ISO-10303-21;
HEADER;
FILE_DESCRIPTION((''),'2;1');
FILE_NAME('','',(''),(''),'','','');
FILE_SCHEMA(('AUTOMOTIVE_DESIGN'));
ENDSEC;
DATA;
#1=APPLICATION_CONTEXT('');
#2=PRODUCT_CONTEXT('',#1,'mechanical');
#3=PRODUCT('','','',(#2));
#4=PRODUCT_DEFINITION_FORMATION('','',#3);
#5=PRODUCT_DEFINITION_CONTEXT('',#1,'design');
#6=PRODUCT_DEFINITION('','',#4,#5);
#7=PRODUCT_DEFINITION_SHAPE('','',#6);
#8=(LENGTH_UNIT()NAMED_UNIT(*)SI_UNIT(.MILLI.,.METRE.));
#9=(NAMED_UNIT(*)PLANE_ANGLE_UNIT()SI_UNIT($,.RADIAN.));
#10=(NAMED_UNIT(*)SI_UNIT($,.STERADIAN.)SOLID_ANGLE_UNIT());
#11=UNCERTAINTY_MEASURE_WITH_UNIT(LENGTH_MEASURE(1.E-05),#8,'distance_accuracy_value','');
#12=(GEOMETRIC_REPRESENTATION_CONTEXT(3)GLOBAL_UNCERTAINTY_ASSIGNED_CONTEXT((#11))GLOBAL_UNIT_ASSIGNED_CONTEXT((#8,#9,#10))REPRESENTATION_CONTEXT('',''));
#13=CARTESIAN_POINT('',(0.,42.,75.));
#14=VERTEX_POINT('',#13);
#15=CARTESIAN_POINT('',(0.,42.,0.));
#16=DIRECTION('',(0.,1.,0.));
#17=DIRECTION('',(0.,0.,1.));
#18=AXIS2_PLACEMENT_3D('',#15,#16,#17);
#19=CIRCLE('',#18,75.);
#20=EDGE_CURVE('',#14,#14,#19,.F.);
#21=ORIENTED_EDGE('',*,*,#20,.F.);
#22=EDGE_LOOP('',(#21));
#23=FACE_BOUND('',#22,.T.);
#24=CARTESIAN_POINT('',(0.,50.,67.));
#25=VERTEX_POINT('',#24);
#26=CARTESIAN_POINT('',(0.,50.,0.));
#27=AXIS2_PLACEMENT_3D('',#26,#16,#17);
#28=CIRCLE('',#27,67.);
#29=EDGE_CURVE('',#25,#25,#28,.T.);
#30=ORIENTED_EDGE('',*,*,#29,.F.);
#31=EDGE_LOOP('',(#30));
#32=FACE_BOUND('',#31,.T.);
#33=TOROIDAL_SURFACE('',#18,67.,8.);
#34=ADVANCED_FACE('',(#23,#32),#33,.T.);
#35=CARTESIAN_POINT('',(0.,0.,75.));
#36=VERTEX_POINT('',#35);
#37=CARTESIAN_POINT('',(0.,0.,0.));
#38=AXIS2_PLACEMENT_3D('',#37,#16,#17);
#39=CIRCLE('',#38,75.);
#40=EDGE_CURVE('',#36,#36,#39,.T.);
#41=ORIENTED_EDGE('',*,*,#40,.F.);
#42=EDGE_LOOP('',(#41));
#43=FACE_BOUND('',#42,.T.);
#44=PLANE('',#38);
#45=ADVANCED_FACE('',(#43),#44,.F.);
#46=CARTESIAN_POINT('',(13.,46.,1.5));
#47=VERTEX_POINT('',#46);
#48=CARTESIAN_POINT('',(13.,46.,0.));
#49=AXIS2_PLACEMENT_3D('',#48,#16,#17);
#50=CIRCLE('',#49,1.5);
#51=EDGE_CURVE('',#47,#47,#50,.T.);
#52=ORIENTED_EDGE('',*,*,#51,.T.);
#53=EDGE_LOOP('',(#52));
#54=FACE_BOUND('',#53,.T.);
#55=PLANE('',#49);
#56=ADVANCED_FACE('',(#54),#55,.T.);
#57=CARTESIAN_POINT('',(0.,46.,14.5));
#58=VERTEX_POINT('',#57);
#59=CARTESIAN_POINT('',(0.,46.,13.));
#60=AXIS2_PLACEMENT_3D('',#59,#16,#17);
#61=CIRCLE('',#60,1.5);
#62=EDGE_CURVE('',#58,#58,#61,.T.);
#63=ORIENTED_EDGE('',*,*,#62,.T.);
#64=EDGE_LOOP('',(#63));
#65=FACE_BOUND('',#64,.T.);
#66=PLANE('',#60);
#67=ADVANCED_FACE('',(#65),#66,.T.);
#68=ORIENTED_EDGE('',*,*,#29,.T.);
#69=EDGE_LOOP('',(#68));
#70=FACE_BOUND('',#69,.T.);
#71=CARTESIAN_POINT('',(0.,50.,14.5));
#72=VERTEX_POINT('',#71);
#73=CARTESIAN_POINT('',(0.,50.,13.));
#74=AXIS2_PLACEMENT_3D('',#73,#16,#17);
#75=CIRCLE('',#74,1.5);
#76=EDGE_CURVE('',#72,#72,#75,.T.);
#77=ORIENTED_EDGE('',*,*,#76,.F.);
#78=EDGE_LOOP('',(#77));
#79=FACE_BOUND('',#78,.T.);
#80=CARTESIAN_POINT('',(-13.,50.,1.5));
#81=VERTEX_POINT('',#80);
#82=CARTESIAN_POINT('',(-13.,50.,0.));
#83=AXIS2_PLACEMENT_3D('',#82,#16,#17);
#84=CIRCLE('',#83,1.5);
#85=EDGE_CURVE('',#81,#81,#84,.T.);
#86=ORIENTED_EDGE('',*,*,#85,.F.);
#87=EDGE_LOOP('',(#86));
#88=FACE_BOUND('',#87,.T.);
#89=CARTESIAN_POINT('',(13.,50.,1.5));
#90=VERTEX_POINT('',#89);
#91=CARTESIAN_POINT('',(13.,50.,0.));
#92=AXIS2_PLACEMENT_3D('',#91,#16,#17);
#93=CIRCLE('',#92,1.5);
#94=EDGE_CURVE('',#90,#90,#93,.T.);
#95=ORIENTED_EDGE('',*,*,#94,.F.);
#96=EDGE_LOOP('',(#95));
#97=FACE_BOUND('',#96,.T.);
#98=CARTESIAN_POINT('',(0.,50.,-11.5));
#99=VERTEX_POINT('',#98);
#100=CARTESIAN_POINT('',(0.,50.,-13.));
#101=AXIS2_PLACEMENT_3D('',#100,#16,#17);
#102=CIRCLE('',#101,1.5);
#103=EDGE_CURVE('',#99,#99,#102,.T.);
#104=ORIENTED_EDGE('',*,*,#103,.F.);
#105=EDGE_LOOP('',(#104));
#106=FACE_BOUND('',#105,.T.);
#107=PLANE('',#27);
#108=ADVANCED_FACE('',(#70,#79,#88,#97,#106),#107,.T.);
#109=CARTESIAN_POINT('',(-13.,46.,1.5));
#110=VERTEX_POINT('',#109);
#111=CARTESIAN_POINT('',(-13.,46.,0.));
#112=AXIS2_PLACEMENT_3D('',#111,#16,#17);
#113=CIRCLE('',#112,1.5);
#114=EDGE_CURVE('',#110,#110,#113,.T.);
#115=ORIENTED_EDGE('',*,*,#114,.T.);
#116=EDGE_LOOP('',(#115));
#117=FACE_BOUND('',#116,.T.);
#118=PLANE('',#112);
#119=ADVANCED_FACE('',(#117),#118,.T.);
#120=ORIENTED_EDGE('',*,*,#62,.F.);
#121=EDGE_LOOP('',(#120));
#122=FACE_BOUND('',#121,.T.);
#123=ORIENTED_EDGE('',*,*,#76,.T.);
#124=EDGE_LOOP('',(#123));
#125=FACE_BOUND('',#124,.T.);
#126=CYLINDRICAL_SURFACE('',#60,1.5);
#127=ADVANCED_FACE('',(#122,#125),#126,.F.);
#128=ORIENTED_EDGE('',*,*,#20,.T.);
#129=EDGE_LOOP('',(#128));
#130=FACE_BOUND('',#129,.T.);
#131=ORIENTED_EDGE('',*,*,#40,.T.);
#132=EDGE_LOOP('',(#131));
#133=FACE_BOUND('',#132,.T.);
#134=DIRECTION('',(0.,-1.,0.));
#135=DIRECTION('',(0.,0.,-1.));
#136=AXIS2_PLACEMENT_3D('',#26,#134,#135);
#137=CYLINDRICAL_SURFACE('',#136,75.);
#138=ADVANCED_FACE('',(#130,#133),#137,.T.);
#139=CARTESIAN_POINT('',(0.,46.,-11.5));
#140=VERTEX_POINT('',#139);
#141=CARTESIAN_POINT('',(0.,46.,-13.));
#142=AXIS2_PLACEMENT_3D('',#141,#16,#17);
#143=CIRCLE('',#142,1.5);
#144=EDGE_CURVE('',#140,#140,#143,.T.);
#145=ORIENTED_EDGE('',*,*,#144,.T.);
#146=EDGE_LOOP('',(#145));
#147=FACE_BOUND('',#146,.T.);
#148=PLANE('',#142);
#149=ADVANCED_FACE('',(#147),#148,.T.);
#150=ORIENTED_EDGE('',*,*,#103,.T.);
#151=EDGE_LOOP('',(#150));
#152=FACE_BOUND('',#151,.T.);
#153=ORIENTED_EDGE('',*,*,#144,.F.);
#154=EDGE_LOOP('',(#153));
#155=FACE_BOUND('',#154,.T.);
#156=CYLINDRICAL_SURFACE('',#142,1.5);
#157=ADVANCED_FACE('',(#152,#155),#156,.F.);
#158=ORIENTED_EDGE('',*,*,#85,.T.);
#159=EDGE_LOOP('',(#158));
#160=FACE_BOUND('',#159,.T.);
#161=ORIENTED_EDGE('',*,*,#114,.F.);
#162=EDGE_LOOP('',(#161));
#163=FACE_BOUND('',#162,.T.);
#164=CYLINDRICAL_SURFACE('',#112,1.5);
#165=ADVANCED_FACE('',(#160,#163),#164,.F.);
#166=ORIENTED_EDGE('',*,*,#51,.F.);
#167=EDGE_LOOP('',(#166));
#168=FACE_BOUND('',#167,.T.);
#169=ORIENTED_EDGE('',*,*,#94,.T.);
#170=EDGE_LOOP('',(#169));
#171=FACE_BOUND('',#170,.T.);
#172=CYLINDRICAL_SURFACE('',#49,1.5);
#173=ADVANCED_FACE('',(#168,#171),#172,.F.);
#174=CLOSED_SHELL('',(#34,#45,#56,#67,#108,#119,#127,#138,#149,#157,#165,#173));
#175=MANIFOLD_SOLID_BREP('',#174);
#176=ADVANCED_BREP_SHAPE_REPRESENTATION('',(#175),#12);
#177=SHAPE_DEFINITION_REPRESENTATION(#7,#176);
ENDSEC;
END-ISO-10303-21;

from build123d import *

# Parameters (mm, degrees)
SKETCH1_R           = 75
BOSS_EXTRUDE1_DEPTH = 50
FILLET1_R           = 8
SKETCH2_R           = 1.5
CUT_EXTRUDE1_DEPTH  = 4


with BuildPart() as part:
    # Sketch1 → Boss-Extrude1 (new body)
    with BuildSketch(Plane(origin=(0, 0, 0), x_dir=(1, 0, 0), z_dir=(0, 1, 0))):
        with Locations(Location((0, 0, 0), (0, 0, 270))):
            Circle(SKETCH1_R)
    extrude(amount=BOSS_EXTRUDE1_DEPTH)

    # Fillet1
    fillet1_edges = [part.edges().sort_by_distance(p)[0] for p in [
        (0, 50, -75),
    ]]
    fillet(fillet1_edges, radius=FILLET1_R)

    # Sketch2 → Cut-Extrude1 (cut)
    with BuildSketch(Plane(origin=(0, 50, 0), x_dir=(1, 0, 0), z_dir=(0, 1, 0))):
        with Locations(Location((0, 13, 0), (0, 0, 270))):
            Circle(SKETCH2_R)
        with Locations(Location((13, 0, 0), (0, 0, 270))):
            Circle(SKETCH2_R)
        with Locations(Location((0, -13, 0), (0, 0, 270))):
            Circle(SKETCH2_R)
        with Locations(Location((-13, 0, 0), (0, 0, 270))):
            Circle(SKETCH2_R)
    extrude(amount=-CUT_EXTRUDE1_DEPTH, mode=Mode.SUBTRACT)


solid = part.part
